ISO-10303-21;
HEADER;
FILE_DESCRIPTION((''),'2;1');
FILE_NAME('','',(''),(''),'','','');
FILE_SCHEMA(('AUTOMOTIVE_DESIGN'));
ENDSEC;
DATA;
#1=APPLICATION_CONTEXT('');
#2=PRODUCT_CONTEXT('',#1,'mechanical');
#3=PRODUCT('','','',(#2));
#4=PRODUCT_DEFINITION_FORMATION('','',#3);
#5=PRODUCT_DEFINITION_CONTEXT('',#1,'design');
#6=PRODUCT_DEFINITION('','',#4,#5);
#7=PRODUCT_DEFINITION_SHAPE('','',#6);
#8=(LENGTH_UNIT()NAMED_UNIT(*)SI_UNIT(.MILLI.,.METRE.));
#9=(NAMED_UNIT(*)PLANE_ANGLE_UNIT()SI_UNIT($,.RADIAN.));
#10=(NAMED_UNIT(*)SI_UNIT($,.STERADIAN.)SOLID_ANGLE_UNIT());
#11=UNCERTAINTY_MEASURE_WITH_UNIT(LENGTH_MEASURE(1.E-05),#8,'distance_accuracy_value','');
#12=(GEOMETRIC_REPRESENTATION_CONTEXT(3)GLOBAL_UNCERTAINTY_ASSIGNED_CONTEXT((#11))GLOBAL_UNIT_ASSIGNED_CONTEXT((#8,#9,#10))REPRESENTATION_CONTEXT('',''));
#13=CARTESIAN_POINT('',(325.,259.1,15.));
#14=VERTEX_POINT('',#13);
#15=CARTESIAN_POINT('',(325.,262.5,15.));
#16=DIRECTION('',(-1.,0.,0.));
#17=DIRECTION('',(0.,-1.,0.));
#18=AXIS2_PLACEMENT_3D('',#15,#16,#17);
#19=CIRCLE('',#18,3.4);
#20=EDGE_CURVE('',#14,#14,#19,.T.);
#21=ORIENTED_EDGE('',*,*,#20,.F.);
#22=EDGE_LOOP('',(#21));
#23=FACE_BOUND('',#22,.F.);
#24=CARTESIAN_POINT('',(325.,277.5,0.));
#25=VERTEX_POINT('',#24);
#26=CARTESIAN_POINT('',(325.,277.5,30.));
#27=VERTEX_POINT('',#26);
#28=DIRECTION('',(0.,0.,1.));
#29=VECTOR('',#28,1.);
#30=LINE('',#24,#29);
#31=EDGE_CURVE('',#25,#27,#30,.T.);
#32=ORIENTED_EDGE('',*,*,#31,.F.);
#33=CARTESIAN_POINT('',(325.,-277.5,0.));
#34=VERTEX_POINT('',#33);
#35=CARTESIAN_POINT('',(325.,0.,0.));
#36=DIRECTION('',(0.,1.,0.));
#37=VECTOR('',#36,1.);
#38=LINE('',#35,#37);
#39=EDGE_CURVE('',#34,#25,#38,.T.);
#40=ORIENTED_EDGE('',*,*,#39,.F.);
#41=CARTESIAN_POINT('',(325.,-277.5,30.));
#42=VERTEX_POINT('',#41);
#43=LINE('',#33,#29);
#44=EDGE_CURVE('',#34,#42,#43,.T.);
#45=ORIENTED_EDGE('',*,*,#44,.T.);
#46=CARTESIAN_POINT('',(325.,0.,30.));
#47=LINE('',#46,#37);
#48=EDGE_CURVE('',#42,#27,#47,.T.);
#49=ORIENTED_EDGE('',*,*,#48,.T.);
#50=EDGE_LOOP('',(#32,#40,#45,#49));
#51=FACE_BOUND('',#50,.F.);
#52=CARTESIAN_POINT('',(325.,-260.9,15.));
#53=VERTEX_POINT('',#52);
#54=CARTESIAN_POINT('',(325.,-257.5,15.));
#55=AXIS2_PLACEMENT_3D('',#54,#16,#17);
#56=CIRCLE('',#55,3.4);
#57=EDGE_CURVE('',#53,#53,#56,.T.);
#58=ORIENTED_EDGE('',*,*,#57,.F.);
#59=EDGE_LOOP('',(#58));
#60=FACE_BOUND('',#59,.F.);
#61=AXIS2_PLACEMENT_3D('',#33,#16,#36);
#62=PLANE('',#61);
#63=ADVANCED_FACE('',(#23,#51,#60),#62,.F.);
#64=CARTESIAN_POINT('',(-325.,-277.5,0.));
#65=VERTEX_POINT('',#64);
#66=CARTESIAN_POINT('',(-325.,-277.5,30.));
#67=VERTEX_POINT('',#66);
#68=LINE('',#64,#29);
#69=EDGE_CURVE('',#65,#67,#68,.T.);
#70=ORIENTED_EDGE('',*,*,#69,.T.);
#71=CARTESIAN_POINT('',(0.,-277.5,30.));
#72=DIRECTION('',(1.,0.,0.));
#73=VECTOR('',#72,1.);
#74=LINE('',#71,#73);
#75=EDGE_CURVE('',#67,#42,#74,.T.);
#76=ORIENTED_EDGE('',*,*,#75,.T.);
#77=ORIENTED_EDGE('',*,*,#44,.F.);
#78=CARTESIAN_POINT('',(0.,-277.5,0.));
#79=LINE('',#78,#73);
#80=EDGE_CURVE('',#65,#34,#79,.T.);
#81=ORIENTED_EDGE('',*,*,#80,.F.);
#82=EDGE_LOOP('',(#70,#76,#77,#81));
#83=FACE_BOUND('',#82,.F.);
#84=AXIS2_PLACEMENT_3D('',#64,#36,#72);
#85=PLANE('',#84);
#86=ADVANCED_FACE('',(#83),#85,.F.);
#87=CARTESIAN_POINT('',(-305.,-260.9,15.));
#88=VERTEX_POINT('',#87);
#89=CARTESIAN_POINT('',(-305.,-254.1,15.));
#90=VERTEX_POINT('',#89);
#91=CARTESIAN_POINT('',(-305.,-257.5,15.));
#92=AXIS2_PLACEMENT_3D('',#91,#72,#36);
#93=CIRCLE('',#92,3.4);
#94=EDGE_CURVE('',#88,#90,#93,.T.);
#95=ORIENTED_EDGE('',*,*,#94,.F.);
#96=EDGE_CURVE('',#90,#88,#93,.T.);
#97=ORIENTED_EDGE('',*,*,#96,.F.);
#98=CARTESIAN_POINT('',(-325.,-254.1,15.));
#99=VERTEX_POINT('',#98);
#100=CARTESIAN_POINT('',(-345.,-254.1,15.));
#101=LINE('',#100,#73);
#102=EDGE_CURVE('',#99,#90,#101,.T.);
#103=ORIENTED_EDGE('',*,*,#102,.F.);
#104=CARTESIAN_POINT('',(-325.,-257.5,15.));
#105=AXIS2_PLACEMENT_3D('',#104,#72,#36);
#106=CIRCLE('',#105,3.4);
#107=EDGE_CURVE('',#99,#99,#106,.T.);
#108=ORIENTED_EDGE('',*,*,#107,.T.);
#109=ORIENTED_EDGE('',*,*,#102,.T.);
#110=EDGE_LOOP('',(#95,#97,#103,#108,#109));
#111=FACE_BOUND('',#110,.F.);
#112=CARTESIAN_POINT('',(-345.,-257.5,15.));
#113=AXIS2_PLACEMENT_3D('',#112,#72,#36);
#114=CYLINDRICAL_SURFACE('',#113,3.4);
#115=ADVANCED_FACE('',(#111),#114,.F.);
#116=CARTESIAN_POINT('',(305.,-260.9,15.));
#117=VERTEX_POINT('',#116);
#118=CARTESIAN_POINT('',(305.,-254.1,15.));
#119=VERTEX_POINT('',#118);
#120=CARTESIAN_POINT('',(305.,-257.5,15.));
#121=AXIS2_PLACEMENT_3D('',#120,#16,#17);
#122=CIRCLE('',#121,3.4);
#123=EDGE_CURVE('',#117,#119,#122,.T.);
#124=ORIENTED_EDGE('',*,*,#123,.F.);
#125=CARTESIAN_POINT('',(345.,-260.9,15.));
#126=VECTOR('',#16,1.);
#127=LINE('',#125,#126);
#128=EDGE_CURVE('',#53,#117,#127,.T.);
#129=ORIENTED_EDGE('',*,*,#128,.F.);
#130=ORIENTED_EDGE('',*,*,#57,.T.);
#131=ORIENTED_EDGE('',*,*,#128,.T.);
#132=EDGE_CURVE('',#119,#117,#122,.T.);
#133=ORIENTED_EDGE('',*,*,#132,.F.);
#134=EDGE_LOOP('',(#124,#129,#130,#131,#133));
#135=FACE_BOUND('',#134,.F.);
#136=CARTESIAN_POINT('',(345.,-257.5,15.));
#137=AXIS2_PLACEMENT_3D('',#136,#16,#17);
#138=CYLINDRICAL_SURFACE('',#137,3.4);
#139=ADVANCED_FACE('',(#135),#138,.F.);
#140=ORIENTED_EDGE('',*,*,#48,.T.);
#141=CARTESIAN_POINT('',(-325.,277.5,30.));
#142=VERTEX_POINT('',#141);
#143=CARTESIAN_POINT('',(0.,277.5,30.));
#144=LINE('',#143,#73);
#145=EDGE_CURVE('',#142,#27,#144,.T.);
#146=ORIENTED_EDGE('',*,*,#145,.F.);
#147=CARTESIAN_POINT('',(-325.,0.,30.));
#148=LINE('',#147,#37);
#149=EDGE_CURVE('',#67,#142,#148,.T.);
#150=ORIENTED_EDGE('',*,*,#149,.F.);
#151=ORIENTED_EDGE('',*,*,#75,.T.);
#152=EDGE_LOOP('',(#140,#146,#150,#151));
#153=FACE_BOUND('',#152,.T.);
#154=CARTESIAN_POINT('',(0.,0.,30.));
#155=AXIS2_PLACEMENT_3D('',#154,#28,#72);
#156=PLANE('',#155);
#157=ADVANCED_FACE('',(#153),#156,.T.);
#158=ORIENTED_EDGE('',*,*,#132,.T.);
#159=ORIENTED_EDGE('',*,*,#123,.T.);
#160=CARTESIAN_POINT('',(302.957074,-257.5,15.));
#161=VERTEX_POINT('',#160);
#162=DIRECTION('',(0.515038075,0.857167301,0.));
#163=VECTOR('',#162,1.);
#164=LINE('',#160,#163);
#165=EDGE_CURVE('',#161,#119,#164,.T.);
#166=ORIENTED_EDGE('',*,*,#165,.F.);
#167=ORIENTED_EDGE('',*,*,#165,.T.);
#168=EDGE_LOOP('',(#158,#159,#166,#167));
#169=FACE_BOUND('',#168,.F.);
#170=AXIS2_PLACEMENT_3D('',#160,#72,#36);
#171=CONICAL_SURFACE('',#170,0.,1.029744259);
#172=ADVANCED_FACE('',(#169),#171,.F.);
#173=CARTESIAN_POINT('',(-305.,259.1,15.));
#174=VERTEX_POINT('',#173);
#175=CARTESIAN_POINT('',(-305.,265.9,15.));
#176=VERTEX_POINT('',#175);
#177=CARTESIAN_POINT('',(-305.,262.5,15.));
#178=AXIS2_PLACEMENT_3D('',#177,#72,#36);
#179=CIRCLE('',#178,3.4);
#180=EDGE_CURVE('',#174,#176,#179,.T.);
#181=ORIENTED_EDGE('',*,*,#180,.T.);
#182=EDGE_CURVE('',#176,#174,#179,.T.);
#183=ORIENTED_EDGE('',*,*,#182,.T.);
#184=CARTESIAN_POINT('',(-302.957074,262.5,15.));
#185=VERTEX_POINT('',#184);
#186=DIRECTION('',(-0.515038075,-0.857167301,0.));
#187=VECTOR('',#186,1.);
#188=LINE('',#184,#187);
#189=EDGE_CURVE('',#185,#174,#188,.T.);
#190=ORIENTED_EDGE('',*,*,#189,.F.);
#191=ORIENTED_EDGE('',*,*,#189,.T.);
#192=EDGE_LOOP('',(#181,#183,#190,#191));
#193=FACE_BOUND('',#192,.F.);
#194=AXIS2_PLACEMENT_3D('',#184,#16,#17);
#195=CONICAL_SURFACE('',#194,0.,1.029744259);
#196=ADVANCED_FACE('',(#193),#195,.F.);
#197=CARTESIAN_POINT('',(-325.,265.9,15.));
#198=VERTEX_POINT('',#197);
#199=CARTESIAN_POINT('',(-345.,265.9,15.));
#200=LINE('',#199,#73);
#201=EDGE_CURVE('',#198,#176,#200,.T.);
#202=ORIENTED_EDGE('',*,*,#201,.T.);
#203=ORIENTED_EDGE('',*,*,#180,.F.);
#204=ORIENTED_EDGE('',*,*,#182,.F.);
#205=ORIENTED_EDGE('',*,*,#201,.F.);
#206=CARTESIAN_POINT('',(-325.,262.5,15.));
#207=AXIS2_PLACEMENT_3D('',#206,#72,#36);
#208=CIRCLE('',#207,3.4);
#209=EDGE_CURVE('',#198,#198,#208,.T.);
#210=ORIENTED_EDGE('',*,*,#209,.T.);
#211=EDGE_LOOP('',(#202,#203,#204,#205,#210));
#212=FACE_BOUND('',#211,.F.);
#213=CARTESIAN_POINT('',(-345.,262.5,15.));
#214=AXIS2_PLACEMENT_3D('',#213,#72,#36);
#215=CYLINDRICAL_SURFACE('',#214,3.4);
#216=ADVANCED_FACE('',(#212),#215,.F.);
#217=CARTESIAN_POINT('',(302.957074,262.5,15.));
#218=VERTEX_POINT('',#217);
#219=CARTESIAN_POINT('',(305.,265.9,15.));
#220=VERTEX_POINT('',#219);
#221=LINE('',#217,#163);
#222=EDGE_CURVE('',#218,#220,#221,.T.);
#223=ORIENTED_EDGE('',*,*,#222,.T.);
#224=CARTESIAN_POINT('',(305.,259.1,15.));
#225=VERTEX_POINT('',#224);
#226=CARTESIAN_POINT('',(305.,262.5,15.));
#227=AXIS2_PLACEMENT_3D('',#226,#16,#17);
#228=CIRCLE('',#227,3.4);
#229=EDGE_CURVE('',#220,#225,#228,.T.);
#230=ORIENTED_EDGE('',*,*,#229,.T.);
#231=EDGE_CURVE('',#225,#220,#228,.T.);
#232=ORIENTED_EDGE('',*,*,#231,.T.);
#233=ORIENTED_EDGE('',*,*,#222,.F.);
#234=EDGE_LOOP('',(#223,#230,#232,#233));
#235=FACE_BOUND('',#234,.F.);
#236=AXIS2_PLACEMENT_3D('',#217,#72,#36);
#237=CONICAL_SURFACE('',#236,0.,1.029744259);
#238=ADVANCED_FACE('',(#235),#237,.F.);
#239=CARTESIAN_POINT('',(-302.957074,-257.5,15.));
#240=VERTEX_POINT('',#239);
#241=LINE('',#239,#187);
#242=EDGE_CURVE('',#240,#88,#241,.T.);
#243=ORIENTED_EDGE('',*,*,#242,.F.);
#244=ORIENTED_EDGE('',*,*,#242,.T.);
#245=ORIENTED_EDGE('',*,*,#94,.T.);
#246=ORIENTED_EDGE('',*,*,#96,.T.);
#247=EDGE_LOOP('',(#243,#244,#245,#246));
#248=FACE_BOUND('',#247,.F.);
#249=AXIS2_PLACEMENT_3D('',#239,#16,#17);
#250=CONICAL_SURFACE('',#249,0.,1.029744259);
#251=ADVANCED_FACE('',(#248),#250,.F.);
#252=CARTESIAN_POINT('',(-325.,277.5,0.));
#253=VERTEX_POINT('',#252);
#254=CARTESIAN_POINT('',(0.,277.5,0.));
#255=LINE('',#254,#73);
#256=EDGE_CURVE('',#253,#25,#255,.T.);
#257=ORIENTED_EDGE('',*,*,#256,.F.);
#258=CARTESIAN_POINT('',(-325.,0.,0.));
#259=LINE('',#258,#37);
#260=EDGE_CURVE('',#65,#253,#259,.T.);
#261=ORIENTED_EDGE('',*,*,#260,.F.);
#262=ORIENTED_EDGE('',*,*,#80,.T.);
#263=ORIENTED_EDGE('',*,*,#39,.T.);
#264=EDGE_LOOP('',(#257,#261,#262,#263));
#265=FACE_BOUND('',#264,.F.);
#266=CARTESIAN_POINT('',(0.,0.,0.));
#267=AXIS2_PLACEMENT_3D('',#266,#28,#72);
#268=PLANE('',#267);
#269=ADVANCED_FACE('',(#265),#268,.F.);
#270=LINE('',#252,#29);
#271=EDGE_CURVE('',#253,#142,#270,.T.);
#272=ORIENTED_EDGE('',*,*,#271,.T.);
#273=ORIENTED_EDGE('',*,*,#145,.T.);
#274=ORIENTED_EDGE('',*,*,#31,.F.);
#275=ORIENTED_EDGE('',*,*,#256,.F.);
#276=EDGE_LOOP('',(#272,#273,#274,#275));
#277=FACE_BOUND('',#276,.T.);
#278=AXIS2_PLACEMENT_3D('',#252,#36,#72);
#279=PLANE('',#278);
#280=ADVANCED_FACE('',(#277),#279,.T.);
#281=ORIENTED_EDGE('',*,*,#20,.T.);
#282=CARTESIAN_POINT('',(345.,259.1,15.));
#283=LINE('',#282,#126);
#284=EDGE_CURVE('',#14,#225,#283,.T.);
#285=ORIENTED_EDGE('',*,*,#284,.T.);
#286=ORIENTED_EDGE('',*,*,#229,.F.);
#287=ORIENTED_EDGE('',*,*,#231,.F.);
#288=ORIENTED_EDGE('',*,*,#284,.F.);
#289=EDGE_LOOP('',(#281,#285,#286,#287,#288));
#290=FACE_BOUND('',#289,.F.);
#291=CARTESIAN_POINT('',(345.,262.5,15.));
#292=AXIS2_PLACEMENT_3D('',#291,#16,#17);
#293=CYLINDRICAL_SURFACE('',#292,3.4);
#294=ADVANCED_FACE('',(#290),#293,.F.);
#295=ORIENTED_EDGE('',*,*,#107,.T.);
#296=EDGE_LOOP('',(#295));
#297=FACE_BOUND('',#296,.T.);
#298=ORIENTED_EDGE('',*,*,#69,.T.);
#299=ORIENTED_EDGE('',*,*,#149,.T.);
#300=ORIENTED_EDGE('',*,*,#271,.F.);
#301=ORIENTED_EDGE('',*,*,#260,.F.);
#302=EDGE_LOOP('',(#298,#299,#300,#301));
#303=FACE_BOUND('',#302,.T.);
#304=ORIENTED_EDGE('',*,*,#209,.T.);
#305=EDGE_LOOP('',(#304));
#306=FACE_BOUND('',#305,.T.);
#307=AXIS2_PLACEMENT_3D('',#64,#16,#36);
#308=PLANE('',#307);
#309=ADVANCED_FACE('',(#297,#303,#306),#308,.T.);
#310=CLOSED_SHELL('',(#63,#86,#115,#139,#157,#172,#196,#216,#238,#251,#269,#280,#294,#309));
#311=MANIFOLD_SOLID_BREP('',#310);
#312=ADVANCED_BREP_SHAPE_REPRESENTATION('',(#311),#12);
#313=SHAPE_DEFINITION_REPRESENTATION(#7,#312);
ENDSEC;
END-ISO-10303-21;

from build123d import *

# Parameters (mm, degrees)
F0_W           = 650
F0_H           = 555
F1_DEPTH       = 30
F4_D           = 6.8
F4_DEPTH       = 20
F4_TIP         = 2.0429261047
F4_ON_F3_D     = 6.8
F4_ON_F3_DEPTH = 20
F4_ON_F3_TIP   = 2.0429261047


with BuildPart() as f1:
    # F0 (on Top) → F1 (new body)
    with BuildSketch(Plane.XY):
        Rectangle(F0_W, F0_H)
    extrude(amount=F1_DEPTH)

    # F4
    with Locations(Plane(origin=(-325, 0, 0), x_dir=(0, -1, 0), z_dir=(-1, 0, 0))):
        with Locations((257.5, 15), (-262.5, 15)):
            Hole(F4_D / 2, depth=F4_DEPTH)
            with Locations((0, 0, -(F4_DEPTH + F4_TIP / 2))):  # 118° drill point
                Cone(0, F4_D / 2, F4_TIP, mode=Mode.SUBTRACT)

    # F4 on F3
    with Locations(Plane.YZ.offset(325)):
        with Locations((262.5, 15), (-257.5, 15)):
            Hole(F4_ON_F3_D / 2, depth=F4_ON_F3_DEPTH)
            with Locations((0, 0, -(F4_ON_F3_DEPTH + F4_ON_F3_TIP / 2))):  # 118° drill point
                Cone(0, F4_ON_F3_D / 2, F4_ON_F3_TIP, mode=Mode.SUBTRACT)


solid = f1.part
